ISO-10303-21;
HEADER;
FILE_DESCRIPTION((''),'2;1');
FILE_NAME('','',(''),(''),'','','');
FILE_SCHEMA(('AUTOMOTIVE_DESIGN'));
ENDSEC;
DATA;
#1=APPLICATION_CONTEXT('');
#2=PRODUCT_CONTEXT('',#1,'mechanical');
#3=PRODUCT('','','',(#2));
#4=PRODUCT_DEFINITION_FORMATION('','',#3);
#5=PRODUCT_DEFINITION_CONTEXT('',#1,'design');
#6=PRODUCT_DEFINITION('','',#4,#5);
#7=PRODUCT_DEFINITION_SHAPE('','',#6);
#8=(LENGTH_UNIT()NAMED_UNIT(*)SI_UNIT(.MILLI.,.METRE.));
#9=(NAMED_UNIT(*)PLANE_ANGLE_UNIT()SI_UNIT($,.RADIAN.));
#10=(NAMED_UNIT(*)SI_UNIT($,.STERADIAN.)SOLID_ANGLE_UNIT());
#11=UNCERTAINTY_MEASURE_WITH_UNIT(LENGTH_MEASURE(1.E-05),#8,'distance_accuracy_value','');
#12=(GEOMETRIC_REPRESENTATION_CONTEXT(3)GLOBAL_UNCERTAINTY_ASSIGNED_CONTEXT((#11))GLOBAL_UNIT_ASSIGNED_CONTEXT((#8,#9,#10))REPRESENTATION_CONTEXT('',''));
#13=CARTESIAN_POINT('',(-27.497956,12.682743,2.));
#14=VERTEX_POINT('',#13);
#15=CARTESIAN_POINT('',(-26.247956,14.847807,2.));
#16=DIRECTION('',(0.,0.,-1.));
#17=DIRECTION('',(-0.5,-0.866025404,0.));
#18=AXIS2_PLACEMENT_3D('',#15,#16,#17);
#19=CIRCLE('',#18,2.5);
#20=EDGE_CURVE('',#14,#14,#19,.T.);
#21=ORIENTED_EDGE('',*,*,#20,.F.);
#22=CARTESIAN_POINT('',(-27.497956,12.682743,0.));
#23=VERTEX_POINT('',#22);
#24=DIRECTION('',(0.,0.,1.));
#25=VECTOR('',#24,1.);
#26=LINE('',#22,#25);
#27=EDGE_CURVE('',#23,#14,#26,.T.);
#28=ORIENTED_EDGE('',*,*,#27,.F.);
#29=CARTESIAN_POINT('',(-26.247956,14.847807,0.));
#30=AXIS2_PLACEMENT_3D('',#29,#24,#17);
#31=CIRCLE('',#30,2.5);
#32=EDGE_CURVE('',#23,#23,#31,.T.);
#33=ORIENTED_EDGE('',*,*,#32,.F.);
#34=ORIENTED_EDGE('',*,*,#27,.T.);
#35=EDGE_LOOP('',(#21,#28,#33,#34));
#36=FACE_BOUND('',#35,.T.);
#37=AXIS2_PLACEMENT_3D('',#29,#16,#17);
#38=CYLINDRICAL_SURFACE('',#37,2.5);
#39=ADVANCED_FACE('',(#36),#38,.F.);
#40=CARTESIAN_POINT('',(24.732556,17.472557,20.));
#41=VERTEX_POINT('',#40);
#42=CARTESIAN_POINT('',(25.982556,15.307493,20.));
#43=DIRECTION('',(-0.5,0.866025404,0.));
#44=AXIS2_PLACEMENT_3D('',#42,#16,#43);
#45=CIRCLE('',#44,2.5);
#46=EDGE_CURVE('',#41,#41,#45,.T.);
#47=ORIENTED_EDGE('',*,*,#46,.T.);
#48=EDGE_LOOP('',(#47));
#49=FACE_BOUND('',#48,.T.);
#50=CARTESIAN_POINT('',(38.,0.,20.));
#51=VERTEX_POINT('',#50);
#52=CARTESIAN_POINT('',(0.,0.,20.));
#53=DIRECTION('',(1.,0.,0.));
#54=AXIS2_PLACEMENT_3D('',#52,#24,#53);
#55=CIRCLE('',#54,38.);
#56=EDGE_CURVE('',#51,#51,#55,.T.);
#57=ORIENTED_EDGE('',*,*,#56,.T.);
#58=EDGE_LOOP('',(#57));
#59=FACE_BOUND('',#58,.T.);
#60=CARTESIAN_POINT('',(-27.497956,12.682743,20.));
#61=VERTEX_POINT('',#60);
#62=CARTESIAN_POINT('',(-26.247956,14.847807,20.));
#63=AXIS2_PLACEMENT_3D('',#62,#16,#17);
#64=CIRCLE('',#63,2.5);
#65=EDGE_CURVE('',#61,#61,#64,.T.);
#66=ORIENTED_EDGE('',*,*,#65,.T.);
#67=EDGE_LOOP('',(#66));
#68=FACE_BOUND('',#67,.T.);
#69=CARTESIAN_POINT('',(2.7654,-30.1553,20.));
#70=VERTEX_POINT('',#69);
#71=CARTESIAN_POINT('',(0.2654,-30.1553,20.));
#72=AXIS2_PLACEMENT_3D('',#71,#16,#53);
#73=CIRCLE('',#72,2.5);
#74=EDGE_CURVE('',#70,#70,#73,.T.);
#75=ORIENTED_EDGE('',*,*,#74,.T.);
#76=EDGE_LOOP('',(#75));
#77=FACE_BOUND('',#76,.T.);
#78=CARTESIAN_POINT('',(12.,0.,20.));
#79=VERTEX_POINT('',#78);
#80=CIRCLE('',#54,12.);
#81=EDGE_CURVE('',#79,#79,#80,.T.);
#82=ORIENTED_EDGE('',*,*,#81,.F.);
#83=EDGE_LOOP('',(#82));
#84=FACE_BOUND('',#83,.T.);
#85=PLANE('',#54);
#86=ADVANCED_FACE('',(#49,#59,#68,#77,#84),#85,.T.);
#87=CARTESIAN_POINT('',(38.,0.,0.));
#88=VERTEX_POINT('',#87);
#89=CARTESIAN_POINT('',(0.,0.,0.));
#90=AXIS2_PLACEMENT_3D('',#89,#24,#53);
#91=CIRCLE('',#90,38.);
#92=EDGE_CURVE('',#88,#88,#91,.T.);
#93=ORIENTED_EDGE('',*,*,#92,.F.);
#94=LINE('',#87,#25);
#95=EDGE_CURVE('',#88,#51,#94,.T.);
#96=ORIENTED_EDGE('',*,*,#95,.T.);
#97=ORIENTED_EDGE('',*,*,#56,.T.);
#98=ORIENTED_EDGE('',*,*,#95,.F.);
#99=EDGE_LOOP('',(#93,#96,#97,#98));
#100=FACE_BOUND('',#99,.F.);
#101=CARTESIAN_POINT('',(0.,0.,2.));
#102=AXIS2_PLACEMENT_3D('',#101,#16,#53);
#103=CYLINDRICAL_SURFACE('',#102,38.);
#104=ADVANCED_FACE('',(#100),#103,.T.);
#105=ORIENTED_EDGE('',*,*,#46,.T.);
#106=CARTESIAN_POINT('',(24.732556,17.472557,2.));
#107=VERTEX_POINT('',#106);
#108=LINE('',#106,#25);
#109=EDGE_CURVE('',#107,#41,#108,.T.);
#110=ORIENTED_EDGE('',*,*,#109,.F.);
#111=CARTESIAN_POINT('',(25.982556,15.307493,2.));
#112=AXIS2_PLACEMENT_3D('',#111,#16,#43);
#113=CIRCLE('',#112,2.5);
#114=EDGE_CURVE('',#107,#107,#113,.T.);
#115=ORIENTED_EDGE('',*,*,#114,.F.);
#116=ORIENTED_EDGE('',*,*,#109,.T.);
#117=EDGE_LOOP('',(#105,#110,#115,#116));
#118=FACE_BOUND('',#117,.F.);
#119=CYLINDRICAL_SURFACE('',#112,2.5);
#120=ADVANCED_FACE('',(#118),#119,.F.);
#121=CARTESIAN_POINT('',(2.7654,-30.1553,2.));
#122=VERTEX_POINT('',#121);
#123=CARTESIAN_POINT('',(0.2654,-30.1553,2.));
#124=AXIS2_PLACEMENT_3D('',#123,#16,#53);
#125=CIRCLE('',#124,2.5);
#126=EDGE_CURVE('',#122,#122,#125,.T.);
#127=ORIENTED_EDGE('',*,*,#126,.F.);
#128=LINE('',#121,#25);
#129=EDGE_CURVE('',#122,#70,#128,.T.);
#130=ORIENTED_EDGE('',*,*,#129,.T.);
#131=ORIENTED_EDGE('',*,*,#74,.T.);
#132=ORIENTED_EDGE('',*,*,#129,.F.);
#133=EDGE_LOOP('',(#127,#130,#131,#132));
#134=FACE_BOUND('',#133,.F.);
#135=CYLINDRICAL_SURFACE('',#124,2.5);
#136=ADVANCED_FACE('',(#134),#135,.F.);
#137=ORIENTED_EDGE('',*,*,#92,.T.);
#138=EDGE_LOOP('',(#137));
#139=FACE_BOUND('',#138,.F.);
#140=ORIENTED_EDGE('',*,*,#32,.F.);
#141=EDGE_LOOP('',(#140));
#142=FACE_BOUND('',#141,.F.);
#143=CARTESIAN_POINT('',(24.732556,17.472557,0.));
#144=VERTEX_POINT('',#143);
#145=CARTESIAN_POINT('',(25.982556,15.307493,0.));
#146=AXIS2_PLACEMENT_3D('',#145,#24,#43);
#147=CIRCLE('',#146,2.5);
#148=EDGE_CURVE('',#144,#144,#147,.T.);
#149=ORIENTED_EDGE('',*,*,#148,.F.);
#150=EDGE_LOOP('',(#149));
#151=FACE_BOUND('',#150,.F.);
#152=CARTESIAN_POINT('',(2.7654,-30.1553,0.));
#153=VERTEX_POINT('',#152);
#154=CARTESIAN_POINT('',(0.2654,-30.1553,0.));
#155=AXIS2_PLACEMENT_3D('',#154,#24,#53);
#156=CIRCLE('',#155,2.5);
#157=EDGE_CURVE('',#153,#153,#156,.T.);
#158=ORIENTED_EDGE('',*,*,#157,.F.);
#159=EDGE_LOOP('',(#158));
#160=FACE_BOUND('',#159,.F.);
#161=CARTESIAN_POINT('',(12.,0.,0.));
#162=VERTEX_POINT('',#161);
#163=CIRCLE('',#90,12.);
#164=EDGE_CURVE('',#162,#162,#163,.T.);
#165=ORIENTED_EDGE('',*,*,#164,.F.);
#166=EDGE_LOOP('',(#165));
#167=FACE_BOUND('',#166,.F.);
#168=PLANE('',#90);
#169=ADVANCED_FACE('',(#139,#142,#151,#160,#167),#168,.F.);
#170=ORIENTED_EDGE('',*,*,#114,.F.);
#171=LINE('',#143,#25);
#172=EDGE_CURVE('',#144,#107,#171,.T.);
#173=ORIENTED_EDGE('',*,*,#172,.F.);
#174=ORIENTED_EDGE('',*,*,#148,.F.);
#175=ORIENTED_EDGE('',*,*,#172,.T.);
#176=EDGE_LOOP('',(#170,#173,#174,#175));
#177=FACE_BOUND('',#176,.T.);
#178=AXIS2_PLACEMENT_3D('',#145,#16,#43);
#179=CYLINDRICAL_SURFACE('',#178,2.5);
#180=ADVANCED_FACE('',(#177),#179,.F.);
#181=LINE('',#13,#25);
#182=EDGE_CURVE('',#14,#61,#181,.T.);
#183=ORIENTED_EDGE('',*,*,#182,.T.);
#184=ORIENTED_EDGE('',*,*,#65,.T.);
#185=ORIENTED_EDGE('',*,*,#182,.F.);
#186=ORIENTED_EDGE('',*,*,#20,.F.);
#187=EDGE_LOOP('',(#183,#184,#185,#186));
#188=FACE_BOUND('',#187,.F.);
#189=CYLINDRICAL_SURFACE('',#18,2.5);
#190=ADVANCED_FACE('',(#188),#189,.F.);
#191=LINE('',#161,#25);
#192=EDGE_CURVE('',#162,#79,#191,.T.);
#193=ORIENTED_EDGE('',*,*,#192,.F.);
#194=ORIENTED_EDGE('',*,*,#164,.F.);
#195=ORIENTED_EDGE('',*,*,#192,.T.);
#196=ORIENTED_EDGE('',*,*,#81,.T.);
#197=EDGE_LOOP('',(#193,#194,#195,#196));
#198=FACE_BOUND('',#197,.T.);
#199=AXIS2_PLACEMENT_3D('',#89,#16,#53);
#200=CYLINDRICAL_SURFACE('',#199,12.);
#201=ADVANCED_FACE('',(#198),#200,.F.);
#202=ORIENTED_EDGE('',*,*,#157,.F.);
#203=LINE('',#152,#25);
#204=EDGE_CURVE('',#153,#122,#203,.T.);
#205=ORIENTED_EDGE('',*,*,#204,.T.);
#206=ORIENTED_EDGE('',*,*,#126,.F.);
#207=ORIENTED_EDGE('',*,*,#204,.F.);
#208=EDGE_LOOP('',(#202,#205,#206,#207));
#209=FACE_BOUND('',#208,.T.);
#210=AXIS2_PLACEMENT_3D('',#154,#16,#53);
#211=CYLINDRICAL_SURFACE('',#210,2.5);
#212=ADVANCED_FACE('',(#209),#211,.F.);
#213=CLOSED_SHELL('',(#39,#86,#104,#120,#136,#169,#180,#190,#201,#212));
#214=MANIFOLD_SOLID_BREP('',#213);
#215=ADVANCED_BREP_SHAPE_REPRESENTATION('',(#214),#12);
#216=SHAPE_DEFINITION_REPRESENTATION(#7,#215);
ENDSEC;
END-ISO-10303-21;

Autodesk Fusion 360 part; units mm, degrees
sketch "Sketch1" plane through (0, 0, 0) normal (0, 0, 1) x (1, 0, 0)
  circle A0 centre (0, 0) radius 12
  circle A1 centre (0, 0) radius 22.5
  circle A2 centre (0, 0) radius 38
  dimension "d1" = 45
  dimension "d2" = 24
  dimension "d3" = 76
extrude "Extrude1" add sketch "Sketch1" along normal blind 20 contours A1
sketch "Sketch2" plane through (0, 0, 0) normal (0, 0, 1) x (1, 0, 0)
  circle A0 centre (0.2654, -30.1553) radius 2.5
  dimension "d8" = 5
extrude "Extrude4" add sketch "Sketch1" along normal blind 2 contours A1 | A2
extrude "Extrude5" cut sketch "Sketch2" along normal blind 6.312
pattern_circular "C-Pattern2" count 3 over 360 about axis through (0, 0, 2) along (0, 0, 1) of "Extrude5"
sketch "스케치4" plane through (0, 0, 0) normal (0, 1, 0) x (1, 0, 0)
  curve L0
  curve L1
  curve L2
  curve L3
extrude "돌출6" add 1 faces at (-20.8034, 21.3677, 2) along direction (0, 0, 1) blind 18
